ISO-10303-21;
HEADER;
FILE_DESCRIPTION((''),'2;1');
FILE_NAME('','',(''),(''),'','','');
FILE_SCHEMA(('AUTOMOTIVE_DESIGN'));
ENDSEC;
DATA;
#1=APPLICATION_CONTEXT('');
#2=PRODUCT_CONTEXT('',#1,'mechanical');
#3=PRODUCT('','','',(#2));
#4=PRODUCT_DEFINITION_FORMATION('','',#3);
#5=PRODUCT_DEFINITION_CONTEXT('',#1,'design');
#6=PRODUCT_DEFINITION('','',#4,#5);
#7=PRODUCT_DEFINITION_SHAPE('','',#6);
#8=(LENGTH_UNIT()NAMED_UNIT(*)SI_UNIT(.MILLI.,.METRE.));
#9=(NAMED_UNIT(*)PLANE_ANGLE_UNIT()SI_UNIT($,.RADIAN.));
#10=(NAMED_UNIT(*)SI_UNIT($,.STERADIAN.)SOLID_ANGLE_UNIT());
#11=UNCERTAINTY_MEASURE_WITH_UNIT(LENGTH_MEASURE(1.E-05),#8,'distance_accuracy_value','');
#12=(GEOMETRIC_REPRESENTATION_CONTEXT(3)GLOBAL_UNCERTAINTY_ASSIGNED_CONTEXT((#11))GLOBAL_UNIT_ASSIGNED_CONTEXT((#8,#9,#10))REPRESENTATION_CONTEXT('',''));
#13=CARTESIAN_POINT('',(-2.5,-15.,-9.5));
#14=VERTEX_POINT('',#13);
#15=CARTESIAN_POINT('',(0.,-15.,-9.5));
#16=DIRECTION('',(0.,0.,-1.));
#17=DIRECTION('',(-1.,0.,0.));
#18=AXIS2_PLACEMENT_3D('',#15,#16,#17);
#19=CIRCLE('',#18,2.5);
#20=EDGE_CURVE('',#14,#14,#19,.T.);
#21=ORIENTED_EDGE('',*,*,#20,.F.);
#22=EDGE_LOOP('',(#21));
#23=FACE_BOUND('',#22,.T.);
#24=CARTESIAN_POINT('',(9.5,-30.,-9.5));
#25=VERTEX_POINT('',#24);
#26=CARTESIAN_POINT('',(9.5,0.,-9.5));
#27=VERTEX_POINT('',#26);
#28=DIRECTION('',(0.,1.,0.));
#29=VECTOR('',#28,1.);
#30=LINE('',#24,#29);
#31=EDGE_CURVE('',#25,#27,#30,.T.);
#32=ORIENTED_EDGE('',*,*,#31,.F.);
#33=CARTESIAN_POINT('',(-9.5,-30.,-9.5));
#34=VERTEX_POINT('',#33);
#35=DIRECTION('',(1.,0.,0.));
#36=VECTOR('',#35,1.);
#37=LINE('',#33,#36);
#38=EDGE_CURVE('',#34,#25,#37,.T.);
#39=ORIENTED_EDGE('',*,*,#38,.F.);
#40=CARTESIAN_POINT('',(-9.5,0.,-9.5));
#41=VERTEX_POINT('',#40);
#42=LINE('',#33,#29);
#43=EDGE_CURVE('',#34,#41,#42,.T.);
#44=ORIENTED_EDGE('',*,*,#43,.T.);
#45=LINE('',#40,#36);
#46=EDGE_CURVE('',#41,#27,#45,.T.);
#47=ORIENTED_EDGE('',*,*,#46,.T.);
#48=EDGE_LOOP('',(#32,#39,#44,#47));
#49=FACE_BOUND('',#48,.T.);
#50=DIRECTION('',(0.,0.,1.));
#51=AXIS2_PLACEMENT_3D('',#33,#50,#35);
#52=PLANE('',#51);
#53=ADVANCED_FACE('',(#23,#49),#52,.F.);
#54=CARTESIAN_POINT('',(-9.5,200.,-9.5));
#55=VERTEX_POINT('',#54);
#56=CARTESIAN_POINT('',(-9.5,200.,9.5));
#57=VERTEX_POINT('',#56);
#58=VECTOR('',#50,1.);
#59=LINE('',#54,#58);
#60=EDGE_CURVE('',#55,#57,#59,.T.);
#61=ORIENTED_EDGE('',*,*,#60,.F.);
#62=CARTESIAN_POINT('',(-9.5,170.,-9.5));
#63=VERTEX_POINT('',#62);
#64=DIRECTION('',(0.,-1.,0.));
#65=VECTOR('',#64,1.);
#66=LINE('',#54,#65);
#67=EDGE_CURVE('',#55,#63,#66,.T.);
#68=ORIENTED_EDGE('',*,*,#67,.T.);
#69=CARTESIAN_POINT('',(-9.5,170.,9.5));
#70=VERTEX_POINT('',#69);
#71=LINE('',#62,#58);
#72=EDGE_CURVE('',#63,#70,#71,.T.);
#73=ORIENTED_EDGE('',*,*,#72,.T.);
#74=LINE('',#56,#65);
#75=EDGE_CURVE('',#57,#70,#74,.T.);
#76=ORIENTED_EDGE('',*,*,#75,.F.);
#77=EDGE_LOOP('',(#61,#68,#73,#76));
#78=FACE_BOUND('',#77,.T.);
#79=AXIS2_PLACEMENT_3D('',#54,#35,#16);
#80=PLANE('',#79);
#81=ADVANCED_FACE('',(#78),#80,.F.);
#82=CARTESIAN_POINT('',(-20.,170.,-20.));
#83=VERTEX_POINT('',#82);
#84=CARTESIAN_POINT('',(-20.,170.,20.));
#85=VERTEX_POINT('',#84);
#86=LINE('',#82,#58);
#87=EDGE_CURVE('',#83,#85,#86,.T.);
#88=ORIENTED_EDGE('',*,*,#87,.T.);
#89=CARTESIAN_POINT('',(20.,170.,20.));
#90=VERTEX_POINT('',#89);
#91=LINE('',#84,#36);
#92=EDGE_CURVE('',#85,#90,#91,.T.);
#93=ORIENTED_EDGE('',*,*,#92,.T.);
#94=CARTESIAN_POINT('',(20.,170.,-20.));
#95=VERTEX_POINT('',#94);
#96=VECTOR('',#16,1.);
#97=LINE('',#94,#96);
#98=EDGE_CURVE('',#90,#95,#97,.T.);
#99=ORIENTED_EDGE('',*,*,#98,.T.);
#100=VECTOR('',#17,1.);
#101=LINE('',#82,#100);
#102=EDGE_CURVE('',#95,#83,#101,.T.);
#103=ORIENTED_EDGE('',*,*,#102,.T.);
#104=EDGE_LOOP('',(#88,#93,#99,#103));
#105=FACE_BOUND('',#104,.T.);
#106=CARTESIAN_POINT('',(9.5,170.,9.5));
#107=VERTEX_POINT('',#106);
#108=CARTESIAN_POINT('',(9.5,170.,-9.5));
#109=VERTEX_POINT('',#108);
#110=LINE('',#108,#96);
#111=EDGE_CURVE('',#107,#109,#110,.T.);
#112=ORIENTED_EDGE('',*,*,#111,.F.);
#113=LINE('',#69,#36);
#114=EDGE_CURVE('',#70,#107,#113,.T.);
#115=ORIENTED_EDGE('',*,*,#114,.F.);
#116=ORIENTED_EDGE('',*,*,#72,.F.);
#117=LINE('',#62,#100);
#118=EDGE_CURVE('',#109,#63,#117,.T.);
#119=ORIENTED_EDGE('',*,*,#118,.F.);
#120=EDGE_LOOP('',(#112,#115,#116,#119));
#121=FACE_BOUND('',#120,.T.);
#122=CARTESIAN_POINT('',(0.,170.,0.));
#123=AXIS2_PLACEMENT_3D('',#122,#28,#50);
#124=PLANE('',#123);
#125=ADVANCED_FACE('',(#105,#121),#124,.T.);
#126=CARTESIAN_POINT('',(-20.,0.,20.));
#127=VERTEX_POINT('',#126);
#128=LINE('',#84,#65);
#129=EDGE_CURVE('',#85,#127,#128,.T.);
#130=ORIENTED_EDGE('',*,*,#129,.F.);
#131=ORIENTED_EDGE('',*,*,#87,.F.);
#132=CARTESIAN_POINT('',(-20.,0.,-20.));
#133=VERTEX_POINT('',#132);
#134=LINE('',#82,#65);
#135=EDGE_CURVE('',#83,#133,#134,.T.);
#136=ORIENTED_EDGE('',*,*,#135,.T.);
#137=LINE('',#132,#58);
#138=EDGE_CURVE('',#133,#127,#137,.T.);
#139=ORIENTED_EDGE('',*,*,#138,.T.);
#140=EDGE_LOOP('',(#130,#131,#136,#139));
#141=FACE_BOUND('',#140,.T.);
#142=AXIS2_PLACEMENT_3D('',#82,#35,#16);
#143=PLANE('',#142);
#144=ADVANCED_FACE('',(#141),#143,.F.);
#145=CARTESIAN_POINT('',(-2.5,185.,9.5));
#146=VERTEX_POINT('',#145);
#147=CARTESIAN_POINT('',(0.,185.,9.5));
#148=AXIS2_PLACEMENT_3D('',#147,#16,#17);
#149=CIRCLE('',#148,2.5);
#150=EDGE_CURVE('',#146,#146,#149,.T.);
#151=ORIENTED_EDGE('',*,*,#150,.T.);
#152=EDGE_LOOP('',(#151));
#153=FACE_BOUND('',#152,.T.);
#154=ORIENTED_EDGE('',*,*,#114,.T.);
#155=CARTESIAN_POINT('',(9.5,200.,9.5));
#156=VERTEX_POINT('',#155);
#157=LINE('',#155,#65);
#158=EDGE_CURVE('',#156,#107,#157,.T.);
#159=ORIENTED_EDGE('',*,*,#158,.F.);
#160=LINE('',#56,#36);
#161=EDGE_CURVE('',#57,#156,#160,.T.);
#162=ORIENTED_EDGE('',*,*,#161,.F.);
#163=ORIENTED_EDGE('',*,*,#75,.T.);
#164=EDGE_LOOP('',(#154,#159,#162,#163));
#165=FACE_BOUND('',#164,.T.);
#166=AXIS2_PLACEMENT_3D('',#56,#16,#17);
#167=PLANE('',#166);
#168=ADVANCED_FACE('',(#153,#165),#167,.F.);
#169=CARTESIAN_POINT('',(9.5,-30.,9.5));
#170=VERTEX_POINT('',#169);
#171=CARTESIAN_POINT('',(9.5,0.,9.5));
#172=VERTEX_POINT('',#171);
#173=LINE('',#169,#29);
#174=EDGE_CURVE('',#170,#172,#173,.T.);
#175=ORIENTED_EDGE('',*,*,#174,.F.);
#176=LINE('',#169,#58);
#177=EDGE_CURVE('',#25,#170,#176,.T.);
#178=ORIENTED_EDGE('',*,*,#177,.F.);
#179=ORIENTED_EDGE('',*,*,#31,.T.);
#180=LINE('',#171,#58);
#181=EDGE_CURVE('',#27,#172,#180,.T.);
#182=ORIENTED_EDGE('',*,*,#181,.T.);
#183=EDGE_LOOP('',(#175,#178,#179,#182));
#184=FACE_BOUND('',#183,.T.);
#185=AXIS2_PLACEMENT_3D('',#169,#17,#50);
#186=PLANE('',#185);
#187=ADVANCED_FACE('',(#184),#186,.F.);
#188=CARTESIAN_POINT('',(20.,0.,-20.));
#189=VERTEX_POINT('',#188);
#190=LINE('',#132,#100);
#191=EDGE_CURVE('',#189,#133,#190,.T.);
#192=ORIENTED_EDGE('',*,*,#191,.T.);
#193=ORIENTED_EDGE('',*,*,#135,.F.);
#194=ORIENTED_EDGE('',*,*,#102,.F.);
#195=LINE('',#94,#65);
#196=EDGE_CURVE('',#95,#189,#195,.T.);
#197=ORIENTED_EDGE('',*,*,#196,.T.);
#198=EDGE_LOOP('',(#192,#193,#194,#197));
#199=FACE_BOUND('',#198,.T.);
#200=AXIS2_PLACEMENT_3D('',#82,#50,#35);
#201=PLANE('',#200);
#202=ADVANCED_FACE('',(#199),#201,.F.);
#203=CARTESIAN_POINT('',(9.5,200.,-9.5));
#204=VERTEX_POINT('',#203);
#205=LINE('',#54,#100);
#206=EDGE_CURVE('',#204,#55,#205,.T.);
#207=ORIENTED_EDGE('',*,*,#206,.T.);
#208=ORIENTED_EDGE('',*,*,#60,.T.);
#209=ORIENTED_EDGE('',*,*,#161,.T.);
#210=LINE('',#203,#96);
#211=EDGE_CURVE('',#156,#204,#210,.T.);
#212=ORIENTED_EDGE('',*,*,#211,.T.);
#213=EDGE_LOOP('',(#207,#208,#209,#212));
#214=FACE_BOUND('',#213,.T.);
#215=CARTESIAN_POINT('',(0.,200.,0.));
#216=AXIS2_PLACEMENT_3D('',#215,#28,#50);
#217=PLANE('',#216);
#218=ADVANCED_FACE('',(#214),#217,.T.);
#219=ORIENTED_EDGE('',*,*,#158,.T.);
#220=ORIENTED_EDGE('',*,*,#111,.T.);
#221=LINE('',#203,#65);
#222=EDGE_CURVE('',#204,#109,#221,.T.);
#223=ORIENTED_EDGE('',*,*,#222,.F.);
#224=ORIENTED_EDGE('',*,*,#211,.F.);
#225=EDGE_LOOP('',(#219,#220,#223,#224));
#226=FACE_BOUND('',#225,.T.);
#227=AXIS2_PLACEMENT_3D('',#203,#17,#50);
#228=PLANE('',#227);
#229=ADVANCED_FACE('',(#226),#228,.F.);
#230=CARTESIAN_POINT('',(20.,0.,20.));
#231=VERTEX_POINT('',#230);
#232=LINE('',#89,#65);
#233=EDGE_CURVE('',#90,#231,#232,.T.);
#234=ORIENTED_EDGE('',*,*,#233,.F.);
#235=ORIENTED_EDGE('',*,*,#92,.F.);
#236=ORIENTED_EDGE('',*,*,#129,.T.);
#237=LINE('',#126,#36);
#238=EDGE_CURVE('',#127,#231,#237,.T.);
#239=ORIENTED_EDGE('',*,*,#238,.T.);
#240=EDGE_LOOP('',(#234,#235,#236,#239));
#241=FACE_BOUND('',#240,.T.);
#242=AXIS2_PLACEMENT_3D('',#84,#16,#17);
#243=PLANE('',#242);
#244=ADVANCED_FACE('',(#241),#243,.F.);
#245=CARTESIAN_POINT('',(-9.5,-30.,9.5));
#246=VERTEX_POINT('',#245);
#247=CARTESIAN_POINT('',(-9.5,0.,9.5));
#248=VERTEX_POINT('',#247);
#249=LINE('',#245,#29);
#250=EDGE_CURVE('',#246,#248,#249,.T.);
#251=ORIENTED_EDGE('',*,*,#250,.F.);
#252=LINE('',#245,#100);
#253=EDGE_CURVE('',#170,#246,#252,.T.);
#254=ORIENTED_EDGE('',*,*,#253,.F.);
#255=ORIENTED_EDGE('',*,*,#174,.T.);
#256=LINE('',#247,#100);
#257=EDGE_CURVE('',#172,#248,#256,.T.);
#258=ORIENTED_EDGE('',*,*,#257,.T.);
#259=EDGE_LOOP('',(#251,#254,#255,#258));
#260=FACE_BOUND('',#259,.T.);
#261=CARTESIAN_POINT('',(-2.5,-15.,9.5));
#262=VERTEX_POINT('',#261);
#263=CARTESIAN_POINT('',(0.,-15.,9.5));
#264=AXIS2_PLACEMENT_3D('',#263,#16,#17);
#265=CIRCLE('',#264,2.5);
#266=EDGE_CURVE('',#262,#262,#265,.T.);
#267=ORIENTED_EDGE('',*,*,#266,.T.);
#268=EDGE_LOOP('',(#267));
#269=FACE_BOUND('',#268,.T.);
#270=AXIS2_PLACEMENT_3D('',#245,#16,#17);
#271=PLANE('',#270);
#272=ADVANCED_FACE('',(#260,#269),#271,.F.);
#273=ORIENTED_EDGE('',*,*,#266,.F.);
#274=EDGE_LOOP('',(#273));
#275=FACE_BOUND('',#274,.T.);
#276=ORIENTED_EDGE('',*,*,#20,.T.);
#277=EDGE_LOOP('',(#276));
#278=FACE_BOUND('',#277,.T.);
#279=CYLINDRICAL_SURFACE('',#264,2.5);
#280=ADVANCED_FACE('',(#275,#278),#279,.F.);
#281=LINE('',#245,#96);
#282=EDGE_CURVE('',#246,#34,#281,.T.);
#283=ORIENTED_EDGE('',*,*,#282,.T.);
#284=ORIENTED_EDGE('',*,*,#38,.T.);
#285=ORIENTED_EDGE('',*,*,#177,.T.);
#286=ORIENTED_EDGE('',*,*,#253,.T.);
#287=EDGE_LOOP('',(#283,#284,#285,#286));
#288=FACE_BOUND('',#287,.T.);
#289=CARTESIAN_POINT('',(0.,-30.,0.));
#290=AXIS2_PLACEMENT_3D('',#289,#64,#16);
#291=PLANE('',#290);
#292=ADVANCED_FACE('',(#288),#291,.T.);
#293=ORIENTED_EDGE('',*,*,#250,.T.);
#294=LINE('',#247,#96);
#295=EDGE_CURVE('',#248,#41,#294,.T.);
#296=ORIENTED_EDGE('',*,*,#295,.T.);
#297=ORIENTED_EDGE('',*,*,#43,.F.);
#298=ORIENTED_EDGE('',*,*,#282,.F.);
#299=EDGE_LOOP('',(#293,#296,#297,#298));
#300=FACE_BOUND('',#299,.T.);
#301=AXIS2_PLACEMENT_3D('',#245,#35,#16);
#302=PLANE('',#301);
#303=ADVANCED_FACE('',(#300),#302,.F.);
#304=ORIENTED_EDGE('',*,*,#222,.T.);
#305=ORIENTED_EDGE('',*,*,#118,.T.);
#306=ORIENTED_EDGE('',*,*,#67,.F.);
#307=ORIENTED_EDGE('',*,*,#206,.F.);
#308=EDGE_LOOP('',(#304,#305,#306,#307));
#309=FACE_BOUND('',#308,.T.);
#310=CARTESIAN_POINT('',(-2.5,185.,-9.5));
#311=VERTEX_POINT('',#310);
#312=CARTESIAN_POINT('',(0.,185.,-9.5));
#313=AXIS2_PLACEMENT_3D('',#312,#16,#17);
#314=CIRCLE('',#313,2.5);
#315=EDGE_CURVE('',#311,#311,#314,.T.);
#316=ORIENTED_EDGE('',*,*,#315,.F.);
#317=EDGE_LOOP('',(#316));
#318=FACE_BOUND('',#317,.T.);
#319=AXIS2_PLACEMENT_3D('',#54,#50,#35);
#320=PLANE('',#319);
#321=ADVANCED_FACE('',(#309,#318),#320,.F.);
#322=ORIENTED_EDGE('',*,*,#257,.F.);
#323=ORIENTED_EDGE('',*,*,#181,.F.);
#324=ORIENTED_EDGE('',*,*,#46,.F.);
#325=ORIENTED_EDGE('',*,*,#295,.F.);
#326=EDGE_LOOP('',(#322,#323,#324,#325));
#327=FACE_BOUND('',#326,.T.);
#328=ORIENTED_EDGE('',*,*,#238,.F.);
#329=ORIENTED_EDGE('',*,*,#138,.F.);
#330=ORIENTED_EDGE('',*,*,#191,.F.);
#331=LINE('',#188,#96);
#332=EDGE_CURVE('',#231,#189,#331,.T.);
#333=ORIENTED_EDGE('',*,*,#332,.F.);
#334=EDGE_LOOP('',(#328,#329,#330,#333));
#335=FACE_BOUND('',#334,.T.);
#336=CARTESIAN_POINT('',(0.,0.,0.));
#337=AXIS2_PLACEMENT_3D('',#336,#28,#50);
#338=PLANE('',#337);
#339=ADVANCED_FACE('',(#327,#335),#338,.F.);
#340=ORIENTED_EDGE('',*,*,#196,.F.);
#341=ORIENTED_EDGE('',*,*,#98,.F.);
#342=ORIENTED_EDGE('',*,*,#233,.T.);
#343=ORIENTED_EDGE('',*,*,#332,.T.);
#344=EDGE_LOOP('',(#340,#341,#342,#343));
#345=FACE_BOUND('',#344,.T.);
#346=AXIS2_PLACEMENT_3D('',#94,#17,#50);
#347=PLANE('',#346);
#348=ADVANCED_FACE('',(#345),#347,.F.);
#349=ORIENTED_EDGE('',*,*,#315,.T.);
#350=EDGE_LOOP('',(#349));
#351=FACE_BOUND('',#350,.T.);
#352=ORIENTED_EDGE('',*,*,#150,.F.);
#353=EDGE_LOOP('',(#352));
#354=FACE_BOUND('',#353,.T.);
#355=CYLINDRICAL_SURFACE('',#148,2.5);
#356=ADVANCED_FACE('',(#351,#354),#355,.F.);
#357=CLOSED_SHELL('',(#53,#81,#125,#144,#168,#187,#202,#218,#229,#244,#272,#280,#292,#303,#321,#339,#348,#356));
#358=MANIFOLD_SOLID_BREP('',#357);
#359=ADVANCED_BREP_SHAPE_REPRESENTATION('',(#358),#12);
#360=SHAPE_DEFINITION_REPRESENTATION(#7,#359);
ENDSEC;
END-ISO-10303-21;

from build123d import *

# Parameters (mm, degrees)
SKETCH1_W           = 40
SKETCH1_H           = 40
BOSS_EXTRUDE1_DEPTH = 170
SKETCH2_W           = 19
SKETCH2_H           = 19
BOSS_EXTRUDE3_DEPTH = 30
SKETCH3_W           = 19
SKETCH3_H           = 19
BOSS_EXTRUDE4_DEPTH = 30
SKETCH4_R           = 2.5
CUT_EXTRUDE1_DEPTH  = 19


with BuildPart() as part:
    # Sketch1 → Boss-Extrude1 (new body)
    with BuildSketch(Plane(origin=(0, 0, 0), x_dir=(1, 0, 0), z_dir=(0, 1, 0))):
        Rectangle(SKETCH1_W, SKETCH1_H)
    extrude(amount=BOSS_EXTRUDE1_DEPTH)

    # Sketch2 → Boss-Extrude3 (add)
    with BuildSketch(Plane(origin=(0, 170, 0), x_dir=(1, 0, 0), z_dir=(0, 1, 0))):
        Rectangle(SKETCH2_W, SKETCH2_H)
    extrude(amount=BOSS_EXTRUDE3_DEPTH)

    # Sketch3 → Boss-Extrude4 (add)
    with BuildSketch(Plane.XZ):
        Rectangle(SKETCH3_W, SKETCH3_H)
    extrude(amount=BOSS_EXTRUDE4_DEPTH)

    # Sketch4 → Cut-Extrude1 (cut)
    with BuildSketch(Plane(origin=(0, 0, -9.5), x_dir=(-1, 0, 0), z_dir=(0, 0, -1))):
        with Locations((0, -15)):
            Circle(SKETCH4_R)
        with Locations((0, 185)):
            Circle(SKETCH4_R)
    extrude(amount=-CUT_EXTRUDE1_DEPTH, mode=Mode.SUBTRACT)


solid = part.part
